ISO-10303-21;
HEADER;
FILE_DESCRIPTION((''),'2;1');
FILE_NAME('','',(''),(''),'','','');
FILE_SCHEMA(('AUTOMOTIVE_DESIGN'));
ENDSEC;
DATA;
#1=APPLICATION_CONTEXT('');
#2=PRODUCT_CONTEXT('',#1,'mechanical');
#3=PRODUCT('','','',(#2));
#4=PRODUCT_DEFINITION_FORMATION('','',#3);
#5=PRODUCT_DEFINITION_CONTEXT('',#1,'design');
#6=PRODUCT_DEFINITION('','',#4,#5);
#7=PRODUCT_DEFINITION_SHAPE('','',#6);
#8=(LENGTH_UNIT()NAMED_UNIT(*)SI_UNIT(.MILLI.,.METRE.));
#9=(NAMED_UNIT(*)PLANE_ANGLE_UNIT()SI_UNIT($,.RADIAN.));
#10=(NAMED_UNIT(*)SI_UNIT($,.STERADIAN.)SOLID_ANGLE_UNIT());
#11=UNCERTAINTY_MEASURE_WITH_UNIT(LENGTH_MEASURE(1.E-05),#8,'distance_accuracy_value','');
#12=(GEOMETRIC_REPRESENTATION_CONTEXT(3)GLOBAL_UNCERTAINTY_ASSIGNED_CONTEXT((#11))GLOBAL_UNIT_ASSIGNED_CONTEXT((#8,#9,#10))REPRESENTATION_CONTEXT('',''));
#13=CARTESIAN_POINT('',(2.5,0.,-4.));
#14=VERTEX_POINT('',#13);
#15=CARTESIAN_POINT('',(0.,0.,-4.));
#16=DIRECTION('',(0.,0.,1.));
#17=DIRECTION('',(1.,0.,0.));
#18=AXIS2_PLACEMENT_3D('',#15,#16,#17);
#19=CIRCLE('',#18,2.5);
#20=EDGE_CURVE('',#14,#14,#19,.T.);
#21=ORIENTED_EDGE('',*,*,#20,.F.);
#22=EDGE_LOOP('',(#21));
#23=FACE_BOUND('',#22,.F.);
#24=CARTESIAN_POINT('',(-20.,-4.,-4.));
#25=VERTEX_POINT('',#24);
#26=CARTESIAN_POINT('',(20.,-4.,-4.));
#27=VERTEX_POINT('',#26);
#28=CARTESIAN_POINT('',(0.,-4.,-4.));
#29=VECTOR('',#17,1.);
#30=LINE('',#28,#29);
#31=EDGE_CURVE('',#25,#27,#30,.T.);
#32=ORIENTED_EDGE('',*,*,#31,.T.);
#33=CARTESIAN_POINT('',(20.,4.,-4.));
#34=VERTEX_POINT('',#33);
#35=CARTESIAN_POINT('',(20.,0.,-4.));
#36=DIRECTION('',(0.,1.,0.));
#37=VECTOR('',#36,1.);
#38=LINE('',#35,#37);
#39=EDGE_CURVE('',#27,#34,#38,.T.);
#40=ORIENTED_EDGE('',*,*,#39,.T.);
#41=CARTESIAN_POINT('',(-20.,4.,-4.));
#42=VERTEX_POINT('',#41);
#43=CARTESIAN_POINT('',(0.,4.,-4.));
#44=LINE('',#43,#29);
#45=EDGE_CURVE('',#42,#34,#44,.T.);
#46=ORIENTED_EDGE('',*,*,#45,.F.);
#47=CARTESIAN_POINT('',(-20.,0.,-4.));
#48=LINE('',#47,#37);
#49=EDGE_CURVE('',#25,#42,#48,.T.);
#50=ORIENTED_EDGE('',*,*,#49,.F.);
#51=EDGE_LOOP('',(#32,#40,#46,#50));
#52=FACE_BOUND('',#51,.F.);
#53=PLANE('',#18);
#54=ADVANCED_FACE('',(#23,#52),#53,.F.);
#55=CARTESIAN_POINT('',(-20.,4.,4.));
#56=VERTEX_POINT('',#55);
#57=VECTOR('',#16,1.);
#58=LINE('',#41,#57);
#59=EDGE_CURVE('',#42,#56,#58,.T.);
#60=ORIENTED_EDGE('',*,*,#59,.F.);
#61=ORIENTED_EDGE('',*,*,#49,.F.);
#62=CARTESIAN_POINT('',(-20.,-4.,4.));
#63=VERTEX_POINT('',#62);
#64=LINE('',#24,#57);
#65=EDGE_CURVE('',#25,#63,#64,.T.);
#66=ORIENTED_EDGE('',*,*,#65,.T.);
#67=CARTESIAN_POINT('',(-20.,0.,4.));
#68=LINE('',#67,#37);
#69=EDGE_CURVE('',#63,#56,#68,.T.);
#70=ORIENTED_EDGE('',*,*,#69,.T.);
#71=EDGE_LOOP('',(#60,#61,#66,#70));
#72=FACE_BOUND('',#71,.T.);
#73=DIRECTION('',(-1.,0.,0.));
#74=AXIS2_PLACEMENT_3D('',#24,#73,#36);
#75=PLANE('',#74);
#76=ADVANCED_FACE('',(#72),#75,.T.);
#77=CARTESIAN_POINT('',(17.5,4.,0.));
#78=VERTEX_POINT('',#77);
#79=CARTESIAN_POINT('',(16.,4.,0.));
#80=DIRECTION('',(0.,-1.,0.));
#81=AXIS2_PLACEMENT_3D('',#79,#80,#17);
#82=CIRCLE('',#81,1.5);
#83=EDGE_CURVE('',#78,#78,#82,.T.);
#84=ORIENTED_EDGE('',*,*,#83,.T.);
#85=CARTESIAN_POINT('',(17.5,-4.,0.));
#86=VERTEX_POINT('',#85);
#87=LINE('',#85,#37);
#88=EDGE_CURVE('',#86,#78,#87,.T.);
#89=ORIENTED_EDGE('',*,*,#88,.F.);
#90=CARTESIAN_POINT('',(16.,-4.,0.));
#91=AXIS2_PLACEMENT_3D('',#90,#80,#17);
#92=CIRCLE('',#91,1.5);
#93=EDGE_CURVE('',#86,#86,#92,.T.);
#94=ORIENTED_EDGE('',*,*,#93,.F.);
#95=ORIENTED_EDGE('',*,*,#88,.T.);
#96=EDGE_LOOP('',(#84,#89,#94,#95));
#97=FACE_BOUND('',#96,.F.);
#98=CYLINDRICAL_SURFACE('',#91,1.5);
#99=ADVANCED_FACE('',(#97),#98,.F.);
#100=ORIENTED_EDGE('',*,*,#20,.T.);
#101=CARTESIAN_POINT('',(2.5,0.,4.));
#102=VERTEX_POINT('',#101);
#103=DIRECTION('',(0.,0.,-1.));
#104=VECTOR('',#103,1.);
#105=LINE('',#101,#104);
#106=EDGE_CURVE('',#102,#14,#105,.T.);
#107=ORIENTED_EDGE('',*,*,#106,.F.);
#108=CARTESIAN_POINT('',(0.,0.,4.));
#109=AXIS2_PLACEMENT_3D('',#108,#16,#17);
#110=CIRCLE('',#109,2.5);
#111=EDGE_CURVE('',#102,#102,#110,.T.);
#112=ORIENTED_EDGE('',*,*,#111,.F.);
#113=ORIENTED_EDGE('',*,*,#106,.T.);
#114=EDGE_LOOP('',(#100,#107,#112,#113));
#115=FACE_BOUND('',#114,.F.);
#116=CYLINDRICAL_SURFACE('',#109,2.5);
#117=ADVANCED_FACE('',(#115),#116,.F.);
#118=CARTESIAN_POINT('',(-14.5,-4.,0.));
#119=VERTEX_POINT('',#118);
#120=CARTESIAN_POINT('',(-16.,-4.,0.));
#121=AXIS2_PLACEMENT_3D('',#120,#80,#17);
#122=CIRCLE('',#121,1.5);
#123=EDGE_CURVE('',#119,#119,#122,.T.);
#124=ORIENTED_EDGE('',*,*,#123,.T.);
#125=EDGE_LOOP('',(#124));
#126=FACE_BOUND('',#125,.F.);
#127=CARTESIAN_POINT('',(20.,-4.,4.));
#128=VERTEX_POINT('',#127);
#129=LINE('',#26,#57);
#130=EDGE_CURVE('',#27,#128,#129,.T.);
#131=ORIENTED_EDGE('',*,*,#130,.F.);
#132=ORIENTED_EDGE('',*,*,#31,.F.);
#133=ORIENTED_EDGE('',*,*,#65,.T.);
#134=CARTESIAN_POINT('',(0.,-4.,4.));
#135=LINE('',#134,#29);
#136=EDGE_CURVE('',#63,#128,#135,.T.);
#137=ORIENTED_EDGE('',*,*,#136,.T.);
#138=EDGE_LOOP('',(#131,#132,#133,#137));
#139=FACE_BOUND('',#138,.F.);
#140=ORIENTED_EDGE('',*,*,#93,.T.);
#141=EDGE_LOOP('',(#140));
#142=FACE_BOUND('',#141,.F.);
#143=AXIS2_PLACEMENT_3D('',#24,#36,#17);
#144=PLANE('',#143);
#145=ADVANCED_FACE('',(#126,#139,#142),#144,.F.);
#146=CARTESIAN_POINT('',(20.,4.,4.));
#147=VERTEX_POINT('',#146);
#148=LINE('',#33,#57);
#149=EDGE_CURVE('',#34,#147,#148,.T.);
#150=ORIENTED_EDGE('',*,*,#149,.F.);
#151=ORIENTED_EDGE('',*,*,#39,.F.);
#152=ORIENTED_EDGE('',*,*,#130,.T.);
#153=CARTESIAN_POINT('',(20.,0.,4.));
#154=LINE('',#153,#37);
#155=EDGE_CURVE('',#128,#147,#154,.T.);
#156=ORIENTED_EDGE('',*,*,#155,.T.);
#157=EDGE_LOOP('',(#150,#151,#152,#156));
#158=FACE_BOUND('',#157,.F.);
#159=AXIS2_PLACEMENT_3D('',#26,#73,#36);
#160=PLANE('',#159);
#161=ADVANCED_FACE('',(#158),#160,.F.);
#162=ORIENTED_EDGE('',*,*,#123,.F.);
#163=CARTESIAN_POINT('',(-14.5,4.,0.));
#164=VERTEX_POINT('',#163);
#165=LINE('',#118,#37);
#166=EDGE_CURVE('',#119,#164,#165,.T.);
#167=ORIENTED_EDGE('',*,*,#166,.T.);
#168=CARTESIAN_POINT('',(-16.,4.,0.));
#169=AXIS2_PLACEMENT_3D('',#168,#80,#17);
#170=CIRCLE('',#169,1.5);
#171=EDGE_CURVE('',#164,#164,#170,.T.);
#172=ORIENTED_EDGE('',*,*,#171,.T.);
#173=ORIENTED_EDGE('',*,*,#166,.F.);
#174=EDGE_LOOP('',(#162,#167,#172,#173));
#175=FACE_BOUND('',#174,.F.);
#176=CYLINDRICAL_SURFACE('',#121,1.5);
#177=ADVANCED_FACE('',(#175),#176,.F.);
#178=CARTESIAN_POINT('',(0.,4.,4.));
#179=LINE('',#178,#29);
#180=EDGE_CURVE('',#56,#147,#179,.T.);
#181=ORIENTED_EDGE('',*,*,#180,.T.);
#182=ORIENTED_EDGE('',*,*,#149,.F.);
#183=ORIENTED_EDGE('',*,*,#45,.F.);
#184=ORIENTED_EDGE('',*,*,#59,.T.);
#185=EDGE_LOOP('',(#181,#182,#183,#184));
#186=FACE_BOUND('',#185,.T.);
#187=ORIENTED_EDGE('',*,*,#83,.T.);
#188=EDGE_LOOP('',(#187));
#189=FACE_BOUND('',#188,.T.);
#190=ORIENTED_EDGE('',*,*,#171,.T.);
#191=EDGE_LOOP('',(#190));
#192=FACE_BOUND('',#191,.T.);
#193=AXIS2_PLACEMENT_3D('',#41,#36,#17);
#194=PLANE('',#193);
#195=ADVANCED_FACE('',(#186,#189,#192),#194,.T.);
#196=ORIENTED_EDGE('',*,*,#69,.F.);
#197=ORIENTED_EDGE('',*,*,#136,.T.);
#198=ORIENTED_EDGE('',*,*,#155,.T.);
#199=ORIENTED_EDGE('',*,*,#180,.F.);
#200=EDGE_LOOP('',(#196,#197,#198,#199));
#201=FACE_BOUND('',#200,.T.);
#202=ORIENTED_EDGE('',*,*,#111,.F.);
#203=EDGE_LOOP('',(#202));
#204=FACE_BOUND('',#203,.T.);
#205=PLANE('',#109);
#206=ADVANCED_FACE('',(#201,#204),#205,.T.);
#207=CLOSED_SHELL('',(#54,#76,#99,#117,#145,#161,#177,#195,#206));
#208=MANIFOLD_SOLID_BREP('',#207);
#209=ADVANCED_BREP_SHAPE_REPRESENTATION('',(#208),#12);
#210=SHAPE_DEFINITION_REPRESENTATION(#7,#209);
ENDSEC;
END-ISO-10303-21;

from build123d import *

# Parameters (mm, degrees)
BOX_W           = 40
BOX_H           = 8
BOX_DEPTH       = 8
SKETCH_R        = 2.5
POCKET_DEPTH    = 8
SKETCH001_R     = 1.5
POCKET001_DEPTH = 8


with BuildPart() as part:
    # Box → Box (new body)
    with BuildSketch(Plane(origin=(-20, -4, -4), x_dir=(1, 0, 0), z_dir=(0, 0, 1))):
        with Locations((20, 4)):
            Rectangle(BOX_W, BOX_H)
    extrude(amount=BOX_DEPTH)

    # Sketch → Pocket (cut)
    with BuildSketch(Plane(origin=(-20, -4, 4), x_dir=(1, 0, 0), z_dir=(0, 0, 1))):
        with Locations((20, 4)):
            Circle(SKETCH_R)
    extrude(amount=-POCKET_DEPTH, mode=Mode.SUBTRACT)

    # Sketch001 → Pocket001 (cut)
    with BuildSketch(Plane(origin=(-20, -4, -4), x_dir=(1, 0, 0), z_dir=(0, -1, 0))):
        with Locations((4, 4)):
            Circle(SKETCH001_R)
        with Locations((36, 4)):
            Circle(SKETCH001_R)
    extrude(amount=-POCKET001_DEPTH, mode=Mode.SUBTRACT)


solid = part.part
